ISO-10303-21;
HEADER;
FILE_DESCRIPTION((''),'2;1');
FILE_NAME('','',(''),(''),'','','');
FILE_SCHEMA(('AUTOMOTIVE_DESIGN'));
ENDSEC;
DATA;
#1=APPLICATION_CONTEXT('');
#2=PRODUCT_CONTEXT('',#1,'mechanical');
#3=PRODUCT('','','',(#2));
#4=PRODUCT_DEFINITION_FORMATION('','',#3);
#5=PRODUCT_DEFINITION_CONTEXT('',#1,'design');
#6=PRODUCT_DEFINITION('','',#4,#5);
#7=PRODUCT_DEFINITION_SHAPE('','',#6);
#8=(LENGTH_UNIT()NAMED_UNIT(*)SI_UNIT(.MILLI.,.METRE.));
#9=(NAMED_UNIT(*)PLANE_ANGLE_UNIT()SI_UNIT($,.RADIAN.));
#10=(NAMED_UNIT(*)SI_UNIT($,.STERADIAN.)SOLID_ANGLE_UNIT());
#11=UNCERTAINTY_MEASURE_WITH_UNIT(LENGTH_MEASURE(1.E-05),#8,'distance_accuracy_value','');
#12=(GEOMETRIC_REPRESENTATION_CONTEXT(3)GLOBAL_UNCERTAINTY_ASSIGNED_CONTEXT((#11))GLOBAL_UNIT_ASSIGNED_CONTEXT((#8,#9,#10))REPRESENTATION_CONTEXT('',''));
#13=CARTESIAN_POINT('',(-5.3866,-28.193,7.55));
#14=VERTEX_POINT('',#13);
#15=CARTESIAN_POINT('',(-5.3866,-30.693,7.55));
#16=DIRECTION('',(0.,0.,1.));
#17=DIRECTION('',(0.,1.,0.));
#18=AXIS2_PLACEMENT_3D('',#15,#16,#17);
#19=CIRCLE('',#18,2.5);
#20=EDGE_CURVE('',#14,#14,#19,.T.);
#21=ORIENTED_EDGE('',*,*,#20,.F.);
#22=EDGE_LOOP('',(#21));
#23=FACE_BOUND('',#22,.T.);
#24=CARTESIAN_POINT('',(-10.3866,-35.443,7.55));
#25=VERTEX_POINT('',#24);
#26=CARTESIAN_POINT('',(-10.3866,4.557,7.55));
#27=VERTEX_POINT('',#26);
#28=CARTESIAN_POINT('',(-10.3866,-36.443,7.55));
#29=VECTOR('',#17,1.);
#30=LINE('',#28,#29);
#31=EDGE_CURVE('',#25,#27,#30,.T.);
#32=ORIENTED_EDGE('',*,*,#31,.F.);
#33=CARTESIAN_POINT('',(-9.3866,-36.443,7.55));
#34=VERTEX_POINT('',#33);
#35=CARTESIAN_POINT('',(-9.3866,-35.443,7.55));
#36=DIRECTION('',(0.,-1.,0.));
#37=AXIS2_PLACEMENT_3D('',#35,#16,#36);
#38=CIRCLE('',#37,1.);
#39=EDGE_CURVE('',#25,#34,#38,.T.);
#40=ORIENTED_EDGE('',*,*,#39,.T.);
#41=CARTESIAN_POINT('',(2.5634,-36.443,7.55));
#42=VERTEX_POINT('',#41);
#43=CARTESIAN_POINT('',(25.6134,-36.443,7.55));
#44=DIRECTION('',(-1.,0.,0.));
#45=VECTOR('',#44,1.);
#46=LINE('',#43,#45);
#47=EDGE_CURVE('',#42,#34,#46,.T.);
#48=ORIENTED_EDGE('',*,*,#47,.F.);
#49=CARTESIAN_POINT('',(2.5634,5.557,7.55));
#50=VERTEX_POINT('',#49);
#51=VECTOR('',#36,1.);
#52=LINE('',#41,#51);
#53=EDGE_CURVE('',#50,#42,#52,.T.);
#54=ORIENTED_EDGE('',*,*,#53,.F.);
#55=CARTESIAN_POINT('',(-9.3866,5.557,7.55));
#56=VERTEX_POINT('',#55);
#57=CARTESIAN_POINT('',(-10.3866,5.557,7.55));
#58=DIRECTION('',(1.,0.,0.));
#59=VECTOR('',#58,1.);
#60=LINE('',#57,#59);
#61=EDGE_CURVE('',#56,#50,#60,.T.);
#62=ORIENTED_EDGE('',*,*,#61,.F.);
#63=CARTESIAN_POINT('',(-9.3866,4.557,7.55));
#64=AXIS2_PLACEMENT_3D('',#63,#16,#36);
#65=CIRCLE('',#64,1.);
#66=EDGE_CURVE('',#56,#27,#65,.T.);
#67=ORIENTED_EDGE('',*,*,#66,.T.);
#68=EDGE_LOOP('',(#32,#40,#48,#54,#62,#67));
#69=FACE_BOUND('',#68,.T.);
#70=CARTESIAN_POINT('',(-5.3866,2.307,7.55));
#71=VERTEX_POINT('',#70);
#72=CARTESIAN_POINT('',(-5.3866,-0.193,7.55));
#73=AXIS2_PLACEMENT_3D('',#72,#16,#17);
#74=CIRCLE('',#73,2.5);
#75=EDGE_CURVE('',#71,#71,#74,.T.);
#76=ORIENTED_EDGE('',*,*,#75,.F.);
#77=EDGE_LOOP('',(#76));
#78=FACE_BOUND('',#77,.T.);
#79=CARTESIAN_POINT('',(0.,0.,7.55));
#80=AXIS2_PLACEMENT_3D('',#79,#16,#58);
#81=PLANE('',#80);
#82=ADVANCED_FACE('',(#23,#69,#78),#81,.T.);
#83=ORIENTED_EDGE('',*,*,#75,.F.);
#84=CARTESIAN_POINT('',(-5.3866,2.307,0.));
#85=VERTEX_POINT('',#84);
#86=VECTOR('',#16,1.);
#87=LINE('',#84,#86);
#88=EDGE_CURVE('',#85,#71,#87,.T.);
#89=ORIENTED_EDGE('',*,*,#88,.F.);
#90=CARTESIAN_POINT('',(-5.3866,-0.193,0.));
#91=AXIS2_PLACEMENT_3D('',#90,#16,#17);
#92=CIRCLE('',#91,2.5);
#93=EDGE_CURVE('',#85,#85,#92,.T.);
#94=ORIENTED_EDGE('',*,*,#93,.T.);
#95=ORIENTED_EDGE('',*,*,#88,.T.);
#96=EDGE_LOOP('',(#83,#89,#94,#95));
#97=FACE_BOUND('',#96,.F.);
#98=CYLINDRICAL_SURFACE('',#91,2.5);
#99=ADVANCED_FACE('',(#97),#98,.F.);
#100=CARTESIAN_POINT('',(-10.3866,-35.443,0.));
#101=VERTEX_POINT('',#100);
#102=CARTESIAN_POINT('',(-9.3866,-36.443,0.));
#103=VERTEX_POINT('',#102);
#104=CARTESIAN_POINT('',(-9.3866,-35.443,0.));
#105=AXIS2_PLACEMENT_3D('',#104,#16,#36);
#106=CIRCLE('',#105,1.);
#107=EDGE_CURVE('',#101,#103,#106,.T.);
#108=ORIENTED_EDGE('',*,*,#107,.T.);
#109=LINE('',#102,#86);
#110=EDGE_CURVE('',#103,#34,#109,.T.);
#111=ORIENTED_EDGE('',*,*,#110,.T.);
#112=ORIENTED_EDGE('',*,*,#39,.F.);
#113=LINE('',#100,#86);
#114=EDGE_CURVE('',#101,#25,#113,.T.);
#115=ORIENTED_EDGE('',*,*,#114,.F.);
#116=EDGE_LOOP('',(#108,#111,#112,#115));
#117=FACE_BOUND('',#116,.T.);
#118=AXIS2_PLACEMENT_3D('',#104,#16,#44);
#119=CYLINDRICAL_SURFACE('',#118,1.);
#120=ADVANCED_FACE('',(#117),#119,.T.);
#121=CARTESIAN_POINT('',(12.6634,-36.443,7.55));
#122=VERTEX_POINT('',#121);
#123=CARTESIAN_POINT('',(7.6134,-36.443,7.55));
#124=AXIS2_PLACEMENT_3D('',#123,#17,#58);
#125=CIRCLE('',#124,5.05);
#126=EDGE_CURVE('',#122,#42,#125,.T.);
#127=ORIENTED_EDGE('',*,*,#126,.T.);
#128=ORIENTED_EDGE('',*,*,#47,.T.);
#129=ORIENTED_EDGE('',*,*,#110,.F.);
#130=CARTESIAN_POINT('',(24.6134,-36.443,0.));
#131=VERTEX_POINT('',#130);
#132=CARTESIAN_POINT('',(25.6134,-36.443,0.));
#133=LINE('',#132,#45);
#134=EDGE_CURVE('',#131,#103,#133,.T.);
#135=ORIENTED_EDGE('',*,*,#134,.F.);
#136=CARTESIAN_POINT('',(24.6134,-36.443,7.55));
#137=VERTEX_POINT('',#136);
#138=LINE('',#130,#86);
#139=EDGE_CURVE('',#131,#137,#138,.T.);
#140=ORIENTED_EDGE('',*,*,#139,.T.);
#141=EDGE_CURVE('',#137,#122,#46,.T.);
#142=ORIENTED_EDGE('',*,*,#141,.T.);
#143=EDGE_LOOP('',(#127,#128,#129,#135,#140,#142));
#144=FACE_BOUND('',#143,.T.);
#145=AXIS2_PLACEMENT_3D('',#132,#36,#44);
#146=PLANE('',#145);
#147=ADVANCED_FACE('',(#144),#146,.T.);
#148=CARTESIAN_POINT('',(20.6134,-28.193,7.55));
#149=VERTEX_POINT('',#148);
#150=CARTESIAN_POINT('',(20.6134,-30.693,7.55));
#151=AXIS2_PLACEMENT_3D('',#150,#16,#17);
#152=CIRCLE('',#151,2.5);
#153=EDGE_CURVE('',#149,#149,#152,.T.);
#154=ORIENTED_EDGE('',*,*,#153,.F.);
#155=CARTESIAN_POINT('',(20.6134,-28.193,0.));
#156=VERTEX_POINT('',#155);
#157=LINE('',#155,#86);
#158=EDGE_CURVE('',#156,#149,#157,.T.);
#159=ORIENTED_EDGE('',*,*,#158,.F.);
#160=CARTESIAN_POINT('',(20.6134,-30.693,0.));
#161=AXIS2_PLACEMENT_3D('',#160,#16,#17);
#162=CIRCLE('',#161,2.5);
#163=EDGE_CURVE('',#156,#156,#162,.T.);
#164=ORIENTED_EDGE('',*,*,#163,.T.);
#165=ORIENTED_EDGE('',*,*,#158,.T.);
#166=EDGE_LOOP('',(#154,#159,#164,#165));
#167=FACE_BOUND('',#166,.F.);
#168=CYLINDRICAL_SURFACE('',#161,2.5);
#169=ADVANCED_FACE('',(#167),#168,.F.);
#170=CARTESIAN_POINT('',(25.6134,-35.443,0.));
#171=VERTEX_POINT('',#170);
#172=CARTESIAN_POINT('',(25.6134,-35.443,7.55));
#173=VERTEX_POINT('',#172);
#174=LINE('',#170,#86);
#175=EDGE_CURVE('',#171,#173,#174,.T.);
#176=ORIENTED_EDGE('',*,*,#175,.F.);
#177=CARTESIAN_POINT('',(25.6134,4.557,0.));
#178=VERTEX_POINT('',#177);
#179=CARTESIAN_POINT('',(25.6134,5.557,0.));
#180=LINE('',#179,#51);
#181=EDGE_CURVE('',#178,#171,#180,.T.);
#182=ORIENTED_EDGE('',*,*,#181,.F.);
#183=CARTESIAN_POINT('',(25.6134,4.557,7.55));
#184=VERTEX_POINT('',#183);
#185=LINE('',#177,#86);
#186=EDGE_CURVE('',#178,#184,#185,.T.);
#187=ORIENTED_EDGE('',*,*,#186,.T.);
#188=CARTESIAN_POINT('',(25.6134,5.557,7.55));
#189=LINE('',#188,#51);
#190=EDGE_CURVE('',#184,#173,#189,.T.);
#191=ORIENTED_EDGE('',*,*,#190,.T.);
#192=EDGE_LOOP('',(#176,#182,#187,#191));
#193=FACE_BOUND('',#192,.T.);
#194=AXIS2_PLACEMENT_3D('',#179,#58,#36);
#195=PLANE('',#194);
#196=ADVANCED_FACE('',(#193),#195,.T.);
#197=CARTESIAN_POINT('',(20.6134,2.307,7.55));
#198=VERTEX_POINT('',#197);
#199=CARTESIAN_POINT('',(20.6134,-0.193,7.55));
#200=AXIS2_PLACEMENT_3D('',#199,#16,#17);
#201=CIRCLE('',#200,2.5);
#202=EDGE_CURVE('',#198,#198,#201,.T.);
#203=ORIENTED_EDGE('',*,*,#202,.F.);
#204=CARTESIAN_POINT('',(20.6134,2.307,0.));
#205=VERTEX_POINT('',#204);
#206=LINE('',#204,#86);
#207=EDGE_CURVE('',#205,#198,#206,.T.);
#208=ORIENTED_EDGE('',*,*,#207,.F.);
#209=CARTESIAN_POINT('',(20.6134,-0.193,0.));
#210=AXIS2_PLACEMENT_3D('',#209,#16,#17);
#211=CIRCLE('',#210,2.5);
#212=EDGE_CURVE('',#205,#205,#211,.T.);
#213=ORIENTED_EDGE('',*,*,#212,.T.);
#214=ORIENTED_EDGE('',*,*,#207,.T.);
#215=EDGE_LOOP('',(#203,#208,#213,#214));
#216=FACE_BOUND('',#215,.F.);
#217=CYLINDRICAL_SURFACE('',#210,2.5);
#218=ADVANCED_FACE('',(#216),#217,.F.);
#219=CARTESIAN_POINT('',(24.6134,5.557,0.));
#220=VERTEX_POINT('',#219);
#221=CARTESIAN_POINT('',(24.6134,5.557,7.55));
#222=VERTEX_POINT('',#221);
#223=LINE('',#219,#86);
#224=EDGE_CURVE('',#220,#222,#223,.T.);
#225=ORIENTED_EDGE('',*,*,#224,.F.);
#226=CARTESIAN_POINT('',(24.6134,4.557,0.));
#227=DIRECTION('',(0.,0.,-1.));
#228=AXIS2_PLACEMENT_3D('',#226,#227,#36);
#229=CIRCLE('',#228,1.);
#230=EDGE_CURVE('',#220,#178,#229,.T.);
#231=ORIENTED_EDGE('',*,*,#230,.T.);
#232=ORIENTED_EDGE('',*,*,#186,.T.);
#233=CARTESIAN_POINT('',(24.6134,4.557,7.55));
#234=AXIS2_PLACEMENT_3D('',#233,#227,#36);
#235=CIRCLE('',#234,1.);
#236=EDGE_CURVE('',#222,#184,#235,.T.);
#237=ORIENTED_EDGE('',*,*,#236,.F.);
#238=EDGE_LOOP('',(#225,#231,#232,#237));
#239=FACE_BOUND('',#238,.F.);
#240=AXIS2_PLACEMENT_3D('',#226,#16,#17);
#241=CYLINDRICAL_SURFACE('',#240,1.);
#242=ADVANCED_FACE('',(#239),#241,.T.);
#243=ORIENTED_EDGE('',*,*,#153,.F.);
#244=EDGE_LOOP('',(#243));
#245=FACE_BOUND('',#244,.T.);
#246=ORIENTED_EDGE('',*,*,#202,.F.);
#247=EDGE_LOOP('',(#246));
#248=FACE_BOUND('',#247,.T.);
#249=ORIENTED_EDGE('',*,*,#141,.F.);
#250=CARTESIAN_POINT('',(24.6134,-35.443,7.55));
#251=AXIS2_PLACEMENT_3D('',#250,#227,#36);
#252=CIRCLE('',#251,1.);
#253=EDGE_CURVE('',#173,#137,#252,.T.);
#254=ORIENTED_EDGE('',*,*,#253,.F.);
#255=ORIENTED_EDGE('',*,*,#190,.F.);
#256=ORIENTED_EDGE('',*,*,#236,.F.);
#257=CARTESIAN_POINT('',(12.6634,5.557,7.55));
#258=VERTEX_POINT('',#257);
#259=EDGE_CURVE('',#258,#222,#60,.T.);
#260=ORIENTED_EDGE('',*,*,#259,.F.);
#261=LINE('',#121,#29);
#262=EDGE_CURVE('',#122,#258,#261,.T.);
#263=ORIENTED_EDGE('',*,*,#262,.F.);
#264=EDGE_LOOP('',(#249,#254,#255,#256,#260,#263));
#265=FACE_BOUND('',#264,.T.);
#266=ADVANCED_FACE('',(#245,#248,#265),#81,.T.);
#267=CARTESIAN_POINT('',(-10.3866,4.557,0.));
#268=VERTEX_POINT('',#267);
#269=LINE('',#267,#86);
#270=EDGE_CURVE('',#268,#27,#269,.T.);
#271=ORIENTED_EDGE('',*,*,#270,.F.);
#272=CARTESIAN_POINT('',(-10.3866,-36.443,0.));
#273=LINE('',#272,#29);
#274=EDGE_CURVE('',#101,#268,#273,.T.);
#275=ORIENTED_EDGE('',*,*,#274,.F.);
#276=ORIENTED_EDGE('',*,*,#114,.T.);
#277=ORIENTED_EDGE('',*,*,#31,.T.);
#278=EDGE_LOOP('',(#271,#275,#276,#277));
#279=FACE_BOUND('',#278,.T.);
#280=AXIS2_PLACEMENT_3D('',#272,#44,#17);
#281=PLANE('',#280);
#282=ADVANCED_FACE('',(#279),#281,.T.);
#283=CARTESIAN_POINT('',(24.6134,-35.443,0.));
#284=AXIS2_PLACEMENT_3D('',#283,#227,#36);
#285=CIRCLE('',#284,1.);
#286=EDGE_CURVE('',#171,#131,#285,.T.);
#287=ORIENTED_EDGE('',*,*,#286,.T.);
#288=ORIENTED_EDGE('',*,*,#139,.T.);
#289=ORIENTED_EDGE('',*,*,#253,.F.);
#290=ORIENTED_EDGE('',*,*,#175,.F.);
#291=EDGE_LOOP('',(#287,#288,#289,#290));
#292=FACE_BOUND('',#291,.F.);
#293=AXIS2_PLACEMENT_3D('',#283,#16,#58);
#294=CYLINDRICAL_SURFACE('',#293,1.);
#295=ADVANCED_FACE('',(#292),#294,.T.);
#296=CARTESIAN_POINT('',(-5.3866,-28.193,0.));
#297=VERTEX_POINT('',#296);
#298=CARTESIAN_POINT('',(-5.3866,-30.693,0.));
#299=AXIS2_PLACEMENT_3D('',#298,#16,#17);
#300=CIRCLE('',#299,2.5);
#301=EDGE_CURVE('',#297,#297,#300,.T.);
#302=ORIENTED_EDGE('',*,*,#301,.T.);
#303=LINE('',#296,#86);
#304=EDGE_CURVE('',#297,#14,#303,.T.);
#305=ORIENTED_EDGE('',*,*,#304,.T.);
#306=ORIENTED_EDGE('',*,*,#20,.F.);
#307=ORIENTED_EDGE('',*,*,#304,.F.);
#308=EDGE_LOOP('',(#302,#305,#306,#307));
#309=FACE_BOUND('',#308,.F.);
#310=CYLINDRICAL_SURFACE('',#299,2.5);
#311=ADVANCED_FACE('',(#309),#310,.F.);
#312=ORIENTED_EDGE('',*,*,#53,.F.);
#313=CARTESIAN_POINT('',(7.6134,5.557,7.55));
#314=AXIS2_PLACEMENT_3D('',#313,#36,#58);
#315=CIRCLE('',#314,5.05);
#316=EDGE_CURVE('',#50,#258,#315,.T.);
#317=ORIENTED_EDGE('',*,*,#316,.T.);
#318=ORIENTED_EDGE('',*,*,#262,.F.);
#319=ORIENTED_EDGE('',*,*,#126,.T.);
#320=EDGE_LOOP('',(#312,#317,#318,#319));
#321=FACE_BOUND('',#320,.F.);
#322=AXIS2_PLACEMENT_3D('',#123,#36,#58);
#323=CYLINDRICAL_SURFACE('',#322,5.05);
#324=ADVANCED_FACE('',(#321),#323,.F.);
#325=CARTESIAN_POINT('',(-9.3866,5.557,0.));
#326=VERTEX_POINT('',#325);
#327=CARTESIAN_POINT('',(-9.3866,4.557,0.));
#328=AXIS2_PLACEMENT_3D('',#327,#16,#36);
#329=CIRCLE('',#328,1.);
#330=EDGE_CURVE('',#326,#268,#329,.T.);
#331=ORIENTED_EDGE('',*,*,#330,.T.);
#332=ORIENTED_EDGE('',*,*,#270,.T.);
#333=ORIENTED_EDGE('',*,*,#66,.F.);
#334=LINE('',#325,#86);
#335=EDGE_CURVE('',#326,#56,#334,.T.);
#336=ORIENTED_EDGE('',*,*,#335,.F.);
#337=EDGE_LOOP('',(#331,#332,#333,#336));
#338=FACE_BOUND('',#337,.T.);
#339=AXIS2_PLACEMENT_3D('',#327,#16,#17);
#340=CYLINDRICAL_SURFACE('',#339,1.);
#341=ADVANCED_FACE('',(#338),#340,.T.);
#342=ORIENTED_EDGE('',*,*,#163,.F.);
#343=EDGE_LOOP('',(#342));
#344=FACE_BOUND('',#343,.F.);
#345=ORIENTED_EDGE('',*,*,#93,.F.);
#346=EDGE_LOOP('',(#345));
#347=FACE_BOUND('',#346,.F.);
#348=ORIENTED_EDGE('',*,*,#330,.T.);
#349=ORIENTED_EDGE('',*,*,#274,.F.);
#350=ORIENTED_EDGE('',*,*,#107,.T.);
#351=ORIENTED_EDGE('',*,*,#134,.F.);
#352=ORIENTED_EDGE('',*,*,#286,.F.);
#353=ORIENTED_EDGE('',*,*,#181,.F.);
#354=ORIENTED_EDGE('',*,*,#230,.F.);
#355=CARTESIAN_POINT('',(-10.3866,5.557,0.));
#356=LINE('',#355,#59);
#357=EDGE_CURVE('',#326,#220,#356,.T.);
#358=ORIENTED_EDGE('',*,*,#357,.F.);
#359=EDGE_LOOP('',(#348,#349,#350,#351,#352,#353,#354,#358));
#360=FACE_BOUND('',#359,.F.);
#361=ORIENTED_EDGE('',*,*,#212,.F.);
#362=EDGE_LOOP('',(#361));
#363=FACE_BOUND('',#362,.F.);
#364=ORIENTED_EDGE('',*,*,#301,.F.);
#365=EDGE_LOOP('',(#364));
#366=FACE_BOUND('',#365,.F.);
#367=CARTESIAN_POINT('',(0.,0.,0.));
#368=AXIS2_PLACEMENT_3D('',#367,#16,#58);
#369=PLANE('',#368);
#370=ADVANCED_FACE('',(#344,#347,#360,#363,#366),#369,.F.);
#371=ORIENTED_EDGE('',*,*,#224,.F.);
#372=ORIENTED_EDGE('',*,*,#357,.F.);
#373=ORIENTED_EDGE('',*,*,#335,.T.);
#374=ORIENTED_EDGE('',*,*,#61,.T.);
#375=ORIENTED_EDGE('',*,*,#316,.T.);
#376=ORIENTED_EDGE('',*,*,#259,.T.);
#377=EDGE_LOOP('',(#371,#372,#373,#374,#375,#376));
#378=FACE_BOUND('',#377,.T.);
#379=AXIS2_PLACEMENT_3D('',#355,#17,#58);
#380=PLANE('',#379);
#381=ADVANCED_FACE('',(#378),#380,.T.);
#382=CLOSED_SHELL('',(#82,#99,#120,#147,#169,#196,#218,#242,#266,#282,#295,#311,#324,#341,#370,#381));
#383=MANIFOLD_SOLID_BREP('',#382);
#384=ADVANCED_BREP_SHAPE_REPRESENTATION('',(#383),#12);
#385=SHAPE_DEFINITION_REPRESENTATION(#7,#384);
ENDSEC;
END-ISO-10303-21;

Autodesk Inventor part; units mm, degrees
ref_plane "YZ Plane" through (0, 0, 0) normal (1, 0, 0) x (0, 1, 0)
ref_plane "XZ Plane" through (0, 0, 0) normal (0, 1, 0) x (-1, 0, 0)
ref_plane "XY Plane" through (0, 0, 0) normal (0, 0, 1) x (1, 0, 0)
sketch "Szkic1" plane through (0, 0, 0) normal (0, 0, 1) x (1, 0, 0)
  line L0 (-10.3866, 5.557) -> (25.6134, 5.557)
  line L1 (25.6134, 5.557) -> (25.6134, -36.443)
  line L2 (25.6134, -36.443) -> (-10.3866, -36.443)
  line L3 (-10.3866, -36.443) -> (-10.3866, 5.557)
  point P0 (0, 0)
  point P1 (20.6134, -0.193)
  point P2 (20.6134, -30.693)
  point P3 (-5.3866, -0.193)
  point P4 (-5.3866, -30.693)
  dimension "d0" = 36
  dimension "d1" = 42
  dimension "d2" = 5
  dimension "d3" = 5
  dimension "d4" = 5
  dimension "d5" = 5
  dimension "d6" = 5.75
  dimension "d7" = 5.75
  dimension "d8" = 5.75
  dimension "d9" = 5.75
extrude "Wyciągnięcie proste1" add sketch "Szkic1" along normal blind 7.55
hole "Otwór1" at (20.6134, -0.193, 0) at (20.6134, -30.693, 0) at (-5.3866, -0.193, 0) at (-5.3866, -30.693, 0) direction (0, 0, 1) diameter 5 end through all
sketch "Szkic2" plane through (-10.3866, -36.443, 0) normal (0, -1, 0) x (1, 0, 0)
  line L0 (36, 0) -> (0, 0) projected
  line L1 (36, 0) -> (36, 7.55) projected
  line L2 (0, 7.55) -> (36, 7.55) projected
  line L3 (0, 0) -> (0, 7.55) projected
  line L4 (36, 7.55) -> (0, 7.55) projected
  circle A0 centre (18, 7.55) radius 5.05
  point P0 (10.3866, 0)
  dimension "d19" = 36
  dimension "d20" = 18
  dimension "d21" = 10.1
extrude "Wyciągnięcie proste2" cut sketch "Szkic2" against normal through all contours A0 L2 | L2 A0
fillet "Zaokrąglenie1" radius 1 4 edges at (-10.3866, -36.443, 3.775) (-10.3866, 5.557, 3.775) (25.6134, -36.443, 3.775) (25.6134, 5.557, 3.775)
equation "\"d7\" = d6"
equation "\"d8\" = d7"
equation "\"d9\" = d6"
equation "\"d20\" = 0.5 * d19"
properties part number "3DP_ABS_X_Axis_Linear_Shaft_Clamp_Base"
